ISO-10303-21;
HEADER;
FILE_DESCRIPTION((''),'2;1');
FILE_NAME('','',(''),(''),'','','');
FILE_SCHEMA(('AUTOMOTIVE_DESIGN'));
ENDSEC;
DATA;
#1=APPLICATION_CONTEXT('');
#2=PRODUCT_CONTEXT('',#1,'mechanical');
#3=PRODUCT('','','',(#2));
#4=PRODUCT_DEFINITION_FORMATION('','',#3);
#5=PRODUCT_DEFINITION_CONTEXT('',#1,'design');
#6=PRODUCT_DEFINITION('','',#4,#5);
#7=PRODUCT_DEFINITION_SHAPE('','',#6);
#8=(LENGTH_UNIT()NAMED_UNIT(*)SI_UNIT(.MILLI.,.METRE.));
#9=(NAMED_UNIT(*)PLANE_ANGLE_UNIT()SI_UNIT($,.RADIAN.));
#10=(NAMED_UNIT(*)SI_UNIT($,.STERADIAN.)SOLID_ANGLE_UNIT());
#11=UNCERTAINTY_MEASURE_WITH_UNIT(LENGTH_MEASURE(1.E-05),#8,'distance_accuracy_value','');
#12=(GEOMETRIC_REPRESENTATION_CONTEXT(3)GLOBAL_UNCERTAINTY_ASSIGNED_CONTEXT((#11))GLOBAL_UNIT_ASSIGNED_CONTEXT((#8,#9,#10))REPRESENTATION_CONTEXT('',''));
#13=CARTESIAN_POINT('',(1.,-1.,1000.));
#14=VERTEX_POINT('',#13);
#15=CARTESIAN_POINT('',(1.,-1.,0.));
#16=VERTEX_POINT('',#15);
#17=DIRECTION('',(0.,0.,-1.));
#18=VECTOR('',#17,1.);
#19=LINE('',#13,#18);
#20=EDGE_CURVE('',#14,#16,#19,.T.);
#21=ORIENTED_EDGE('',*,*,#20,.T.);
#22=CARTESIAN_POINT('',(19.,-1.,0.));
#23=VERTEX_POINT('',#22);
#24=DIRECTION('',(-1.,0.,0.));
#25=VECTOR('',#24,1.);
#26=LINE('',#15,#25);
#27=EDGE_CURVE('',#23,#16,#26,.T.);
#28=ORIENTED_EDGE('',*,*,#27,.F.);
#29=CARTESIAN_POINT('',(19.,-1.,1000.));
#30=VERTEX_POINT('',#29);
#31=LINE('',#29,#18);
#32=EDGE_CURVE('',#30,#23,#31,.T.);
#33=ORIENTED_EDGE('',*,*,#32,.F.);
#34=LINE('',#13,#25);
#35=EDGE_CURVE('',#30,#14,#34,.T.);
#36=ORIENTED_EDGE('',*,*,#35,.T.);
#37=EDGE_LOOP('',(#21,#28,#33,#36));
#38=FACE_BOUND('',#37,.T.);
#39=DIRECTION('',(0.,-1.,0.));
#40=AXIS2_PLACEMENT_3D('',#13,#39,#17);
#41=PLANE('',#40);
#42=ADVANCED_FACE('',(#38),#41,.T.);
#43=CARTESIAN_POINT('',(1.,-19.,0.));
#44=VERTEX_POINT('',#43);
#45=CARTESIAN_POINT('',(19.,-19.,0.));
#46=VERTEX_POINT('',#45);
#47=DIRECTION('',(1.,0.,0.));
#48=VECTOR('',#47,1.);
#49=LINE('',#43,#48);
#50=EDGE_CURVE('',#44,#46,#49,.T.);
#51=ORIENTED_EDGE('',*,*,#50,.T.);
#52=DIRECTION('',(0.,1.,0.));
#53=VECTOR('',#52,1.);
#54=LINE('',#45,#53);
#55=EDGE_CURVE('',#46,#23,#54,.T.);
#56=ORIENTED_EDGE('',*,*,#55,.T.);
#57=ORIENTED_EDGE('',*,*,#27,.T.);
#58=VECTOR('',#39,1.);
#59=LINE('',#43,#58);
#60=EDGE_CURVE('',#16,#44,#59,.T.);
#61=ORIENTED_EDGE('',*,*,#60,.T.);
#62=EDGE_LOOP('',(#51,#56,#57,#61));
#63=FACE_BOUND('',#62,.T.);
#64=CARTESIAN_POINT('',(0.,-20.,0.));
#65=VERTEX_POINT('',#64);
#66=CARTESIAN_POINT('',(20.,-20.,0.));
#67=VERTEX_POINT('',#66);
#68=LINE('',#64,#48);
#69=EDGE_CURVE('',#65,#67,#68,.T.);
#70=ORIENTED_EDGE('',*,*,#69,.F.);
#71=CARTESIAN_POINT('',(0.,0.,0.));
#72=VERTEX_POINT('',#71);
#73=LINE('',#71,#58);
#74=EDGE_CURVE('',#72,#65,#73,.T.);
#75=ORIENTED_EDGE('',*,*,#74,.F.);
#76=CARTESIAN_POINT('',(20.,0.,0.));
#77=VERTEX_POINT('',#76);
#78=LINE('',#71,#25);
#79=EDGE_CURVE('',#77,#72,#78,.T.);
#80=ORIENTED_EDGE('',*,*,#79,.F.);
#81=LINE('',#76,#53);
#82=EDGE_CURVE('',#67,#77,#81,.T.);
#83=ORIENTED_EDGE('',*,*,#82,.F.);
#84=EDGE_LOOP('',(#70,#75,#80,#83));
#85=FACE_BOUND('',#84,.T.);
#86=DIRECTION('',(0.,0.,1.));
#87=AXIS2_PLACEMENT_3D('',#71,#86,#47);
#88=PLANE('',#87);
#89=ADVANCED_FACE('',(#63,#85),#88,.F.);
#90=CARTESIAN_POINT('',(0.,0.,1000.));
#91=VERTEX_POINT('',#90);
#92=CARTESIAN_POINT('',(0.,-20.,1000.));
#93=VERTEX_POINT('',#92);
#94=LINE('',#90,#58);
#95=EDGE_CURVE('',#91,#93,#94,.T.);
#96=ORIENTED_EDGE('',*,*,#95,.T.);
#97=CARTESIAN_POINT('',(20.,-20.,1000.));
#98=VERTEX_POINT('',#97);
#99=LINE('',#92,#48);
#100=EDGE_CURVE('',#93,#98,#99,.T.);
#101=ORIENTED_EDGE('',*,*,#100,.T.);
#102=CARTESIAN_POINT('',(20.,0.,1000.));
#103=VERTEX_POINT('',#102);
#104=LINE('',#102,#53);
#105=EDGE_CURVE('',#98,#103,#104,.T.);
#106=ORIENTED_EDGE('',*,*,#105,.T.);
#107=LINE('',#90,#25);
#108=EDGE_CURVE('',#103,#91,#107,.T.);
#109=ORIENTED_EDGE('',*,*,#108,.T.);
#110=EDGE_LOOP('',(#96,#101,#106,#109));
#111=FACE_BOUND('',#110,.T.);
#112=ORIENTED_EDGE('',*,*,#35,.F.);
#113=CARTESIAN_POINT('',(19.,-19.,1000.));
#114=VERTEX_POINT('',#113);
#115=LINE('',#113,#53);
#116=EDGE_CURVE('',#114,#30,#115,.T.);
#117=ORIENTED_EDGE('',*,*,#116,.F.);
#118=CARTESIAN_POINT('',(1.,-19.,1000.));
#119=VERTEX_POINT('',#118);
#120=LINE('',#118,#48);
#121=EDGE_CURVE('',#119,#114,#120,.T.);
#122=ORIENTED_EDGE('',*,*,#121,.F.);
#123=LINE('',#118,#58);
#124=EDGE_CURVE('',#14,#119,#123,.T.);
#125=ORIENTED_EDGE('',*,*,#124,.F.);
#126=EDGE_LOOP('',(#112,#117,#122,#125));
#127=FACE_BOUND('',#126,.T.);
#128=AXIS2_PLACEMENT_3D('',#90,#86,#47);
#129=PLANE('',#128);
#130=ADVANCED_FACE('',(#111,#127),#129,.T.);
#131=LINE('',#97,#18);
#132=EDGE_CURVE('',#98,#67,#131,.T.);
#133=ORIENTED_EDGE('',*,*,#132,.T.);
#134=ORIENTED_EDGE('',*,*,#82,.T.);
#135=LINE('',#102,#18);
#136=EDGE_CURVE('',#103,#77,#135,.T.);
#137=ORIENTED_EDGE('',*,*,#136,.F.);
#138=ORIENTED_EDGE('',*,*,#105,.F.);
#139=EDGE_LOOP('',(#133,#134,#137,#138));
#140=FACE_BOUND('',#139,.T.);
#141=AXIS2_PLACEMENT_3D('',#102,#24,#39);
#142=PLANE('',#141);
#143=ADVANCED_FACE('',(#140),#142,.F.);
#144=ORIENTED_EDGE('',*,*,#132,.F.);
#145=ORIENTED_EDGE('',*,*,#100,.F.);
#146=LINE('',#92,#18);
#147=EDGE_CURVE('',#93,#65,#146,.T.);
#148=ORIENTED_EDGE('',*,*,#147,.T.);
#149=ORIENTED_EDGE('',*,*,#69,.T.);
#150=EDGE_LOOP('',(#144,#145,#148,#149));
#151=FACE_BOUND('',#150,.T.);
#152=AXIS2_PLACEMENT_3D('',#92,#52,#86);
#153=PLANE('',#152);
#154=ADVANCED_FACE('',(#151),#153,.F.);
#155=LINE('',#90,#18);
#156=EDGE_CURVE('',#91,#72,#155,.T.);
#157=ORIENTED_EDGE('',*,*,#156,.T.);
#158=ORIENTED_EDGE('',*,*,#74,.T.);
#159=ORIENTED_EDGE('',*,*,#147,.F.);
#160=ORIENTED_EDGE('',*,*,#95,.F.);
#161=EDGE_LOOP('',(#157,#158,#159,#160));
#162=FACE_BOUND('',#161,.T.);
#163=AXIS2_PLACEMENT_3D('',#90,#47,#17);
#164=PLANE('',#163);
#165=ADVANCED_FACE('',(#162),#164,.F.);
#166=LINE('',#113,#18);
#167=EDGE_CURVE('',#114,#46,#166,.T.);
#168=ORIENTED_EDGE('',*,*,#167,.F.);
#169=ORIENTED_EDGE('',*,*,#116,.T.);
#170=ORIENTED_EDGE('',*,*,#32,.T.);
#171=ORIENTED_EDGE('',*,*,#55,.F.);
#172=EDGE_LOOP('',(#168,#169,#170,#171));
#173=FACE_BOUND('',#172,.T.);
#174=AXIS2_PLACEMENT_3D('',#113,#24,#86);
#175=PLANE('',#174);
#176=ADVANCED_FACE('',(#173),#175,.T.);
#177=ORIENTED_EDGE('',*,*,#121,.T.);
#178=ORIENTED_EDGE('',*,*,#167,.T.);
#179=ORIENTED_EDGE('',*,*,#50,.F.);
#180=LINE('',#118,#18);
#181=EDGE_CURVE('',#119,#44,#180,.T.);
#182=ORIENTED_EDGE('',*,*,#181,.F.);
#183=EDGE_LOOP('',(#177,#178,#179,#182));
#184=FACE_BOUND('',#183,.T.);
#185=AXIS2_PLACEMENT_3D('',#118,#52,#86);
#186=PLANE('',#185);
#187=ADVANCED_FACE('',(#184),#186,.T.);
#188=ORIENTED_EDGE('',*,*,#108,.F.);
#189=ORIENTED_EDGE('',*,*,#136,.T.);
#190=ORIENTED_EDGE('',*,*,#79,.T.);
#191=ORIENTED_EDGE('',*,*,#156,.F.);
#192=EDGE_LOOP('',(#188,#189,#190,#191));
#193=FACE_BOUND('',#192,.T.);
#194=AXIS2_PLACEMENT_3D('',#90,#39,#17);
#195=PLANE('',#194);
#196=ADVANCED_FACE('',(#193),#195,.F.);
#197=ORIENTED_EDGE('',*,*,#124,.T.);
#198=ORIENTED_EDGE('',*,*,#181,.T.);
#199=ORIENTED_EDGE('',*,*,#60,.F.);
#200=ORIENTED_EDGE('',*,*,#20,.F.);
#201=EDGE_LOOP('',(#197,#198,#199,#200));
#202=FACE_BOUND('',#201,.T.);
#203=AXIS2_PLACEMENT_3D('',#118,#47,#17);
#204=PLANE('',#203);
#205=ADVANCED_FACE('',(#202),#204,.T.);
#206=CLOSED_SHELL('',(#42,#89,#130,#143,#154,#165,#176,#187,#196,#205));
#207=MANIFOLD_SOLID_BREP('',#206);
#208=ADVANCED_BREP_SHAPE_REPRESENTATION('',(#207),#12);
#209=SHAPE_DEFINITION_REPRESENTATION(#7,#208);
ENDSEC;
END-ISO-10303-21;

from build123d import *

# Parameters (mm, degrees)
SKETCH1_W           = 20
SKETCH1_H           = 20
SKETCH1_W_2         = 18
SKETCH1_H_2         = 18
BOSS_EXTRUDE1_DEPTH = 1000


with BuildPart() as part:
    # Sketch1 → Boss-Extrude1 (new body)
    with BuildSketch(Plane.XY):
        with Locations((10, -10)):
            Rectangle(SKETCH1_W, SKETCH1_H)
        with Locations((10, -10)):
            Rectangle(SKETCH1_W_2, SKETCH1_H_2, mode=Mode.SUBTRACT)
    extrude(amount=BOSS_EXTRUDE1_DEPTH)


solid = part.part
